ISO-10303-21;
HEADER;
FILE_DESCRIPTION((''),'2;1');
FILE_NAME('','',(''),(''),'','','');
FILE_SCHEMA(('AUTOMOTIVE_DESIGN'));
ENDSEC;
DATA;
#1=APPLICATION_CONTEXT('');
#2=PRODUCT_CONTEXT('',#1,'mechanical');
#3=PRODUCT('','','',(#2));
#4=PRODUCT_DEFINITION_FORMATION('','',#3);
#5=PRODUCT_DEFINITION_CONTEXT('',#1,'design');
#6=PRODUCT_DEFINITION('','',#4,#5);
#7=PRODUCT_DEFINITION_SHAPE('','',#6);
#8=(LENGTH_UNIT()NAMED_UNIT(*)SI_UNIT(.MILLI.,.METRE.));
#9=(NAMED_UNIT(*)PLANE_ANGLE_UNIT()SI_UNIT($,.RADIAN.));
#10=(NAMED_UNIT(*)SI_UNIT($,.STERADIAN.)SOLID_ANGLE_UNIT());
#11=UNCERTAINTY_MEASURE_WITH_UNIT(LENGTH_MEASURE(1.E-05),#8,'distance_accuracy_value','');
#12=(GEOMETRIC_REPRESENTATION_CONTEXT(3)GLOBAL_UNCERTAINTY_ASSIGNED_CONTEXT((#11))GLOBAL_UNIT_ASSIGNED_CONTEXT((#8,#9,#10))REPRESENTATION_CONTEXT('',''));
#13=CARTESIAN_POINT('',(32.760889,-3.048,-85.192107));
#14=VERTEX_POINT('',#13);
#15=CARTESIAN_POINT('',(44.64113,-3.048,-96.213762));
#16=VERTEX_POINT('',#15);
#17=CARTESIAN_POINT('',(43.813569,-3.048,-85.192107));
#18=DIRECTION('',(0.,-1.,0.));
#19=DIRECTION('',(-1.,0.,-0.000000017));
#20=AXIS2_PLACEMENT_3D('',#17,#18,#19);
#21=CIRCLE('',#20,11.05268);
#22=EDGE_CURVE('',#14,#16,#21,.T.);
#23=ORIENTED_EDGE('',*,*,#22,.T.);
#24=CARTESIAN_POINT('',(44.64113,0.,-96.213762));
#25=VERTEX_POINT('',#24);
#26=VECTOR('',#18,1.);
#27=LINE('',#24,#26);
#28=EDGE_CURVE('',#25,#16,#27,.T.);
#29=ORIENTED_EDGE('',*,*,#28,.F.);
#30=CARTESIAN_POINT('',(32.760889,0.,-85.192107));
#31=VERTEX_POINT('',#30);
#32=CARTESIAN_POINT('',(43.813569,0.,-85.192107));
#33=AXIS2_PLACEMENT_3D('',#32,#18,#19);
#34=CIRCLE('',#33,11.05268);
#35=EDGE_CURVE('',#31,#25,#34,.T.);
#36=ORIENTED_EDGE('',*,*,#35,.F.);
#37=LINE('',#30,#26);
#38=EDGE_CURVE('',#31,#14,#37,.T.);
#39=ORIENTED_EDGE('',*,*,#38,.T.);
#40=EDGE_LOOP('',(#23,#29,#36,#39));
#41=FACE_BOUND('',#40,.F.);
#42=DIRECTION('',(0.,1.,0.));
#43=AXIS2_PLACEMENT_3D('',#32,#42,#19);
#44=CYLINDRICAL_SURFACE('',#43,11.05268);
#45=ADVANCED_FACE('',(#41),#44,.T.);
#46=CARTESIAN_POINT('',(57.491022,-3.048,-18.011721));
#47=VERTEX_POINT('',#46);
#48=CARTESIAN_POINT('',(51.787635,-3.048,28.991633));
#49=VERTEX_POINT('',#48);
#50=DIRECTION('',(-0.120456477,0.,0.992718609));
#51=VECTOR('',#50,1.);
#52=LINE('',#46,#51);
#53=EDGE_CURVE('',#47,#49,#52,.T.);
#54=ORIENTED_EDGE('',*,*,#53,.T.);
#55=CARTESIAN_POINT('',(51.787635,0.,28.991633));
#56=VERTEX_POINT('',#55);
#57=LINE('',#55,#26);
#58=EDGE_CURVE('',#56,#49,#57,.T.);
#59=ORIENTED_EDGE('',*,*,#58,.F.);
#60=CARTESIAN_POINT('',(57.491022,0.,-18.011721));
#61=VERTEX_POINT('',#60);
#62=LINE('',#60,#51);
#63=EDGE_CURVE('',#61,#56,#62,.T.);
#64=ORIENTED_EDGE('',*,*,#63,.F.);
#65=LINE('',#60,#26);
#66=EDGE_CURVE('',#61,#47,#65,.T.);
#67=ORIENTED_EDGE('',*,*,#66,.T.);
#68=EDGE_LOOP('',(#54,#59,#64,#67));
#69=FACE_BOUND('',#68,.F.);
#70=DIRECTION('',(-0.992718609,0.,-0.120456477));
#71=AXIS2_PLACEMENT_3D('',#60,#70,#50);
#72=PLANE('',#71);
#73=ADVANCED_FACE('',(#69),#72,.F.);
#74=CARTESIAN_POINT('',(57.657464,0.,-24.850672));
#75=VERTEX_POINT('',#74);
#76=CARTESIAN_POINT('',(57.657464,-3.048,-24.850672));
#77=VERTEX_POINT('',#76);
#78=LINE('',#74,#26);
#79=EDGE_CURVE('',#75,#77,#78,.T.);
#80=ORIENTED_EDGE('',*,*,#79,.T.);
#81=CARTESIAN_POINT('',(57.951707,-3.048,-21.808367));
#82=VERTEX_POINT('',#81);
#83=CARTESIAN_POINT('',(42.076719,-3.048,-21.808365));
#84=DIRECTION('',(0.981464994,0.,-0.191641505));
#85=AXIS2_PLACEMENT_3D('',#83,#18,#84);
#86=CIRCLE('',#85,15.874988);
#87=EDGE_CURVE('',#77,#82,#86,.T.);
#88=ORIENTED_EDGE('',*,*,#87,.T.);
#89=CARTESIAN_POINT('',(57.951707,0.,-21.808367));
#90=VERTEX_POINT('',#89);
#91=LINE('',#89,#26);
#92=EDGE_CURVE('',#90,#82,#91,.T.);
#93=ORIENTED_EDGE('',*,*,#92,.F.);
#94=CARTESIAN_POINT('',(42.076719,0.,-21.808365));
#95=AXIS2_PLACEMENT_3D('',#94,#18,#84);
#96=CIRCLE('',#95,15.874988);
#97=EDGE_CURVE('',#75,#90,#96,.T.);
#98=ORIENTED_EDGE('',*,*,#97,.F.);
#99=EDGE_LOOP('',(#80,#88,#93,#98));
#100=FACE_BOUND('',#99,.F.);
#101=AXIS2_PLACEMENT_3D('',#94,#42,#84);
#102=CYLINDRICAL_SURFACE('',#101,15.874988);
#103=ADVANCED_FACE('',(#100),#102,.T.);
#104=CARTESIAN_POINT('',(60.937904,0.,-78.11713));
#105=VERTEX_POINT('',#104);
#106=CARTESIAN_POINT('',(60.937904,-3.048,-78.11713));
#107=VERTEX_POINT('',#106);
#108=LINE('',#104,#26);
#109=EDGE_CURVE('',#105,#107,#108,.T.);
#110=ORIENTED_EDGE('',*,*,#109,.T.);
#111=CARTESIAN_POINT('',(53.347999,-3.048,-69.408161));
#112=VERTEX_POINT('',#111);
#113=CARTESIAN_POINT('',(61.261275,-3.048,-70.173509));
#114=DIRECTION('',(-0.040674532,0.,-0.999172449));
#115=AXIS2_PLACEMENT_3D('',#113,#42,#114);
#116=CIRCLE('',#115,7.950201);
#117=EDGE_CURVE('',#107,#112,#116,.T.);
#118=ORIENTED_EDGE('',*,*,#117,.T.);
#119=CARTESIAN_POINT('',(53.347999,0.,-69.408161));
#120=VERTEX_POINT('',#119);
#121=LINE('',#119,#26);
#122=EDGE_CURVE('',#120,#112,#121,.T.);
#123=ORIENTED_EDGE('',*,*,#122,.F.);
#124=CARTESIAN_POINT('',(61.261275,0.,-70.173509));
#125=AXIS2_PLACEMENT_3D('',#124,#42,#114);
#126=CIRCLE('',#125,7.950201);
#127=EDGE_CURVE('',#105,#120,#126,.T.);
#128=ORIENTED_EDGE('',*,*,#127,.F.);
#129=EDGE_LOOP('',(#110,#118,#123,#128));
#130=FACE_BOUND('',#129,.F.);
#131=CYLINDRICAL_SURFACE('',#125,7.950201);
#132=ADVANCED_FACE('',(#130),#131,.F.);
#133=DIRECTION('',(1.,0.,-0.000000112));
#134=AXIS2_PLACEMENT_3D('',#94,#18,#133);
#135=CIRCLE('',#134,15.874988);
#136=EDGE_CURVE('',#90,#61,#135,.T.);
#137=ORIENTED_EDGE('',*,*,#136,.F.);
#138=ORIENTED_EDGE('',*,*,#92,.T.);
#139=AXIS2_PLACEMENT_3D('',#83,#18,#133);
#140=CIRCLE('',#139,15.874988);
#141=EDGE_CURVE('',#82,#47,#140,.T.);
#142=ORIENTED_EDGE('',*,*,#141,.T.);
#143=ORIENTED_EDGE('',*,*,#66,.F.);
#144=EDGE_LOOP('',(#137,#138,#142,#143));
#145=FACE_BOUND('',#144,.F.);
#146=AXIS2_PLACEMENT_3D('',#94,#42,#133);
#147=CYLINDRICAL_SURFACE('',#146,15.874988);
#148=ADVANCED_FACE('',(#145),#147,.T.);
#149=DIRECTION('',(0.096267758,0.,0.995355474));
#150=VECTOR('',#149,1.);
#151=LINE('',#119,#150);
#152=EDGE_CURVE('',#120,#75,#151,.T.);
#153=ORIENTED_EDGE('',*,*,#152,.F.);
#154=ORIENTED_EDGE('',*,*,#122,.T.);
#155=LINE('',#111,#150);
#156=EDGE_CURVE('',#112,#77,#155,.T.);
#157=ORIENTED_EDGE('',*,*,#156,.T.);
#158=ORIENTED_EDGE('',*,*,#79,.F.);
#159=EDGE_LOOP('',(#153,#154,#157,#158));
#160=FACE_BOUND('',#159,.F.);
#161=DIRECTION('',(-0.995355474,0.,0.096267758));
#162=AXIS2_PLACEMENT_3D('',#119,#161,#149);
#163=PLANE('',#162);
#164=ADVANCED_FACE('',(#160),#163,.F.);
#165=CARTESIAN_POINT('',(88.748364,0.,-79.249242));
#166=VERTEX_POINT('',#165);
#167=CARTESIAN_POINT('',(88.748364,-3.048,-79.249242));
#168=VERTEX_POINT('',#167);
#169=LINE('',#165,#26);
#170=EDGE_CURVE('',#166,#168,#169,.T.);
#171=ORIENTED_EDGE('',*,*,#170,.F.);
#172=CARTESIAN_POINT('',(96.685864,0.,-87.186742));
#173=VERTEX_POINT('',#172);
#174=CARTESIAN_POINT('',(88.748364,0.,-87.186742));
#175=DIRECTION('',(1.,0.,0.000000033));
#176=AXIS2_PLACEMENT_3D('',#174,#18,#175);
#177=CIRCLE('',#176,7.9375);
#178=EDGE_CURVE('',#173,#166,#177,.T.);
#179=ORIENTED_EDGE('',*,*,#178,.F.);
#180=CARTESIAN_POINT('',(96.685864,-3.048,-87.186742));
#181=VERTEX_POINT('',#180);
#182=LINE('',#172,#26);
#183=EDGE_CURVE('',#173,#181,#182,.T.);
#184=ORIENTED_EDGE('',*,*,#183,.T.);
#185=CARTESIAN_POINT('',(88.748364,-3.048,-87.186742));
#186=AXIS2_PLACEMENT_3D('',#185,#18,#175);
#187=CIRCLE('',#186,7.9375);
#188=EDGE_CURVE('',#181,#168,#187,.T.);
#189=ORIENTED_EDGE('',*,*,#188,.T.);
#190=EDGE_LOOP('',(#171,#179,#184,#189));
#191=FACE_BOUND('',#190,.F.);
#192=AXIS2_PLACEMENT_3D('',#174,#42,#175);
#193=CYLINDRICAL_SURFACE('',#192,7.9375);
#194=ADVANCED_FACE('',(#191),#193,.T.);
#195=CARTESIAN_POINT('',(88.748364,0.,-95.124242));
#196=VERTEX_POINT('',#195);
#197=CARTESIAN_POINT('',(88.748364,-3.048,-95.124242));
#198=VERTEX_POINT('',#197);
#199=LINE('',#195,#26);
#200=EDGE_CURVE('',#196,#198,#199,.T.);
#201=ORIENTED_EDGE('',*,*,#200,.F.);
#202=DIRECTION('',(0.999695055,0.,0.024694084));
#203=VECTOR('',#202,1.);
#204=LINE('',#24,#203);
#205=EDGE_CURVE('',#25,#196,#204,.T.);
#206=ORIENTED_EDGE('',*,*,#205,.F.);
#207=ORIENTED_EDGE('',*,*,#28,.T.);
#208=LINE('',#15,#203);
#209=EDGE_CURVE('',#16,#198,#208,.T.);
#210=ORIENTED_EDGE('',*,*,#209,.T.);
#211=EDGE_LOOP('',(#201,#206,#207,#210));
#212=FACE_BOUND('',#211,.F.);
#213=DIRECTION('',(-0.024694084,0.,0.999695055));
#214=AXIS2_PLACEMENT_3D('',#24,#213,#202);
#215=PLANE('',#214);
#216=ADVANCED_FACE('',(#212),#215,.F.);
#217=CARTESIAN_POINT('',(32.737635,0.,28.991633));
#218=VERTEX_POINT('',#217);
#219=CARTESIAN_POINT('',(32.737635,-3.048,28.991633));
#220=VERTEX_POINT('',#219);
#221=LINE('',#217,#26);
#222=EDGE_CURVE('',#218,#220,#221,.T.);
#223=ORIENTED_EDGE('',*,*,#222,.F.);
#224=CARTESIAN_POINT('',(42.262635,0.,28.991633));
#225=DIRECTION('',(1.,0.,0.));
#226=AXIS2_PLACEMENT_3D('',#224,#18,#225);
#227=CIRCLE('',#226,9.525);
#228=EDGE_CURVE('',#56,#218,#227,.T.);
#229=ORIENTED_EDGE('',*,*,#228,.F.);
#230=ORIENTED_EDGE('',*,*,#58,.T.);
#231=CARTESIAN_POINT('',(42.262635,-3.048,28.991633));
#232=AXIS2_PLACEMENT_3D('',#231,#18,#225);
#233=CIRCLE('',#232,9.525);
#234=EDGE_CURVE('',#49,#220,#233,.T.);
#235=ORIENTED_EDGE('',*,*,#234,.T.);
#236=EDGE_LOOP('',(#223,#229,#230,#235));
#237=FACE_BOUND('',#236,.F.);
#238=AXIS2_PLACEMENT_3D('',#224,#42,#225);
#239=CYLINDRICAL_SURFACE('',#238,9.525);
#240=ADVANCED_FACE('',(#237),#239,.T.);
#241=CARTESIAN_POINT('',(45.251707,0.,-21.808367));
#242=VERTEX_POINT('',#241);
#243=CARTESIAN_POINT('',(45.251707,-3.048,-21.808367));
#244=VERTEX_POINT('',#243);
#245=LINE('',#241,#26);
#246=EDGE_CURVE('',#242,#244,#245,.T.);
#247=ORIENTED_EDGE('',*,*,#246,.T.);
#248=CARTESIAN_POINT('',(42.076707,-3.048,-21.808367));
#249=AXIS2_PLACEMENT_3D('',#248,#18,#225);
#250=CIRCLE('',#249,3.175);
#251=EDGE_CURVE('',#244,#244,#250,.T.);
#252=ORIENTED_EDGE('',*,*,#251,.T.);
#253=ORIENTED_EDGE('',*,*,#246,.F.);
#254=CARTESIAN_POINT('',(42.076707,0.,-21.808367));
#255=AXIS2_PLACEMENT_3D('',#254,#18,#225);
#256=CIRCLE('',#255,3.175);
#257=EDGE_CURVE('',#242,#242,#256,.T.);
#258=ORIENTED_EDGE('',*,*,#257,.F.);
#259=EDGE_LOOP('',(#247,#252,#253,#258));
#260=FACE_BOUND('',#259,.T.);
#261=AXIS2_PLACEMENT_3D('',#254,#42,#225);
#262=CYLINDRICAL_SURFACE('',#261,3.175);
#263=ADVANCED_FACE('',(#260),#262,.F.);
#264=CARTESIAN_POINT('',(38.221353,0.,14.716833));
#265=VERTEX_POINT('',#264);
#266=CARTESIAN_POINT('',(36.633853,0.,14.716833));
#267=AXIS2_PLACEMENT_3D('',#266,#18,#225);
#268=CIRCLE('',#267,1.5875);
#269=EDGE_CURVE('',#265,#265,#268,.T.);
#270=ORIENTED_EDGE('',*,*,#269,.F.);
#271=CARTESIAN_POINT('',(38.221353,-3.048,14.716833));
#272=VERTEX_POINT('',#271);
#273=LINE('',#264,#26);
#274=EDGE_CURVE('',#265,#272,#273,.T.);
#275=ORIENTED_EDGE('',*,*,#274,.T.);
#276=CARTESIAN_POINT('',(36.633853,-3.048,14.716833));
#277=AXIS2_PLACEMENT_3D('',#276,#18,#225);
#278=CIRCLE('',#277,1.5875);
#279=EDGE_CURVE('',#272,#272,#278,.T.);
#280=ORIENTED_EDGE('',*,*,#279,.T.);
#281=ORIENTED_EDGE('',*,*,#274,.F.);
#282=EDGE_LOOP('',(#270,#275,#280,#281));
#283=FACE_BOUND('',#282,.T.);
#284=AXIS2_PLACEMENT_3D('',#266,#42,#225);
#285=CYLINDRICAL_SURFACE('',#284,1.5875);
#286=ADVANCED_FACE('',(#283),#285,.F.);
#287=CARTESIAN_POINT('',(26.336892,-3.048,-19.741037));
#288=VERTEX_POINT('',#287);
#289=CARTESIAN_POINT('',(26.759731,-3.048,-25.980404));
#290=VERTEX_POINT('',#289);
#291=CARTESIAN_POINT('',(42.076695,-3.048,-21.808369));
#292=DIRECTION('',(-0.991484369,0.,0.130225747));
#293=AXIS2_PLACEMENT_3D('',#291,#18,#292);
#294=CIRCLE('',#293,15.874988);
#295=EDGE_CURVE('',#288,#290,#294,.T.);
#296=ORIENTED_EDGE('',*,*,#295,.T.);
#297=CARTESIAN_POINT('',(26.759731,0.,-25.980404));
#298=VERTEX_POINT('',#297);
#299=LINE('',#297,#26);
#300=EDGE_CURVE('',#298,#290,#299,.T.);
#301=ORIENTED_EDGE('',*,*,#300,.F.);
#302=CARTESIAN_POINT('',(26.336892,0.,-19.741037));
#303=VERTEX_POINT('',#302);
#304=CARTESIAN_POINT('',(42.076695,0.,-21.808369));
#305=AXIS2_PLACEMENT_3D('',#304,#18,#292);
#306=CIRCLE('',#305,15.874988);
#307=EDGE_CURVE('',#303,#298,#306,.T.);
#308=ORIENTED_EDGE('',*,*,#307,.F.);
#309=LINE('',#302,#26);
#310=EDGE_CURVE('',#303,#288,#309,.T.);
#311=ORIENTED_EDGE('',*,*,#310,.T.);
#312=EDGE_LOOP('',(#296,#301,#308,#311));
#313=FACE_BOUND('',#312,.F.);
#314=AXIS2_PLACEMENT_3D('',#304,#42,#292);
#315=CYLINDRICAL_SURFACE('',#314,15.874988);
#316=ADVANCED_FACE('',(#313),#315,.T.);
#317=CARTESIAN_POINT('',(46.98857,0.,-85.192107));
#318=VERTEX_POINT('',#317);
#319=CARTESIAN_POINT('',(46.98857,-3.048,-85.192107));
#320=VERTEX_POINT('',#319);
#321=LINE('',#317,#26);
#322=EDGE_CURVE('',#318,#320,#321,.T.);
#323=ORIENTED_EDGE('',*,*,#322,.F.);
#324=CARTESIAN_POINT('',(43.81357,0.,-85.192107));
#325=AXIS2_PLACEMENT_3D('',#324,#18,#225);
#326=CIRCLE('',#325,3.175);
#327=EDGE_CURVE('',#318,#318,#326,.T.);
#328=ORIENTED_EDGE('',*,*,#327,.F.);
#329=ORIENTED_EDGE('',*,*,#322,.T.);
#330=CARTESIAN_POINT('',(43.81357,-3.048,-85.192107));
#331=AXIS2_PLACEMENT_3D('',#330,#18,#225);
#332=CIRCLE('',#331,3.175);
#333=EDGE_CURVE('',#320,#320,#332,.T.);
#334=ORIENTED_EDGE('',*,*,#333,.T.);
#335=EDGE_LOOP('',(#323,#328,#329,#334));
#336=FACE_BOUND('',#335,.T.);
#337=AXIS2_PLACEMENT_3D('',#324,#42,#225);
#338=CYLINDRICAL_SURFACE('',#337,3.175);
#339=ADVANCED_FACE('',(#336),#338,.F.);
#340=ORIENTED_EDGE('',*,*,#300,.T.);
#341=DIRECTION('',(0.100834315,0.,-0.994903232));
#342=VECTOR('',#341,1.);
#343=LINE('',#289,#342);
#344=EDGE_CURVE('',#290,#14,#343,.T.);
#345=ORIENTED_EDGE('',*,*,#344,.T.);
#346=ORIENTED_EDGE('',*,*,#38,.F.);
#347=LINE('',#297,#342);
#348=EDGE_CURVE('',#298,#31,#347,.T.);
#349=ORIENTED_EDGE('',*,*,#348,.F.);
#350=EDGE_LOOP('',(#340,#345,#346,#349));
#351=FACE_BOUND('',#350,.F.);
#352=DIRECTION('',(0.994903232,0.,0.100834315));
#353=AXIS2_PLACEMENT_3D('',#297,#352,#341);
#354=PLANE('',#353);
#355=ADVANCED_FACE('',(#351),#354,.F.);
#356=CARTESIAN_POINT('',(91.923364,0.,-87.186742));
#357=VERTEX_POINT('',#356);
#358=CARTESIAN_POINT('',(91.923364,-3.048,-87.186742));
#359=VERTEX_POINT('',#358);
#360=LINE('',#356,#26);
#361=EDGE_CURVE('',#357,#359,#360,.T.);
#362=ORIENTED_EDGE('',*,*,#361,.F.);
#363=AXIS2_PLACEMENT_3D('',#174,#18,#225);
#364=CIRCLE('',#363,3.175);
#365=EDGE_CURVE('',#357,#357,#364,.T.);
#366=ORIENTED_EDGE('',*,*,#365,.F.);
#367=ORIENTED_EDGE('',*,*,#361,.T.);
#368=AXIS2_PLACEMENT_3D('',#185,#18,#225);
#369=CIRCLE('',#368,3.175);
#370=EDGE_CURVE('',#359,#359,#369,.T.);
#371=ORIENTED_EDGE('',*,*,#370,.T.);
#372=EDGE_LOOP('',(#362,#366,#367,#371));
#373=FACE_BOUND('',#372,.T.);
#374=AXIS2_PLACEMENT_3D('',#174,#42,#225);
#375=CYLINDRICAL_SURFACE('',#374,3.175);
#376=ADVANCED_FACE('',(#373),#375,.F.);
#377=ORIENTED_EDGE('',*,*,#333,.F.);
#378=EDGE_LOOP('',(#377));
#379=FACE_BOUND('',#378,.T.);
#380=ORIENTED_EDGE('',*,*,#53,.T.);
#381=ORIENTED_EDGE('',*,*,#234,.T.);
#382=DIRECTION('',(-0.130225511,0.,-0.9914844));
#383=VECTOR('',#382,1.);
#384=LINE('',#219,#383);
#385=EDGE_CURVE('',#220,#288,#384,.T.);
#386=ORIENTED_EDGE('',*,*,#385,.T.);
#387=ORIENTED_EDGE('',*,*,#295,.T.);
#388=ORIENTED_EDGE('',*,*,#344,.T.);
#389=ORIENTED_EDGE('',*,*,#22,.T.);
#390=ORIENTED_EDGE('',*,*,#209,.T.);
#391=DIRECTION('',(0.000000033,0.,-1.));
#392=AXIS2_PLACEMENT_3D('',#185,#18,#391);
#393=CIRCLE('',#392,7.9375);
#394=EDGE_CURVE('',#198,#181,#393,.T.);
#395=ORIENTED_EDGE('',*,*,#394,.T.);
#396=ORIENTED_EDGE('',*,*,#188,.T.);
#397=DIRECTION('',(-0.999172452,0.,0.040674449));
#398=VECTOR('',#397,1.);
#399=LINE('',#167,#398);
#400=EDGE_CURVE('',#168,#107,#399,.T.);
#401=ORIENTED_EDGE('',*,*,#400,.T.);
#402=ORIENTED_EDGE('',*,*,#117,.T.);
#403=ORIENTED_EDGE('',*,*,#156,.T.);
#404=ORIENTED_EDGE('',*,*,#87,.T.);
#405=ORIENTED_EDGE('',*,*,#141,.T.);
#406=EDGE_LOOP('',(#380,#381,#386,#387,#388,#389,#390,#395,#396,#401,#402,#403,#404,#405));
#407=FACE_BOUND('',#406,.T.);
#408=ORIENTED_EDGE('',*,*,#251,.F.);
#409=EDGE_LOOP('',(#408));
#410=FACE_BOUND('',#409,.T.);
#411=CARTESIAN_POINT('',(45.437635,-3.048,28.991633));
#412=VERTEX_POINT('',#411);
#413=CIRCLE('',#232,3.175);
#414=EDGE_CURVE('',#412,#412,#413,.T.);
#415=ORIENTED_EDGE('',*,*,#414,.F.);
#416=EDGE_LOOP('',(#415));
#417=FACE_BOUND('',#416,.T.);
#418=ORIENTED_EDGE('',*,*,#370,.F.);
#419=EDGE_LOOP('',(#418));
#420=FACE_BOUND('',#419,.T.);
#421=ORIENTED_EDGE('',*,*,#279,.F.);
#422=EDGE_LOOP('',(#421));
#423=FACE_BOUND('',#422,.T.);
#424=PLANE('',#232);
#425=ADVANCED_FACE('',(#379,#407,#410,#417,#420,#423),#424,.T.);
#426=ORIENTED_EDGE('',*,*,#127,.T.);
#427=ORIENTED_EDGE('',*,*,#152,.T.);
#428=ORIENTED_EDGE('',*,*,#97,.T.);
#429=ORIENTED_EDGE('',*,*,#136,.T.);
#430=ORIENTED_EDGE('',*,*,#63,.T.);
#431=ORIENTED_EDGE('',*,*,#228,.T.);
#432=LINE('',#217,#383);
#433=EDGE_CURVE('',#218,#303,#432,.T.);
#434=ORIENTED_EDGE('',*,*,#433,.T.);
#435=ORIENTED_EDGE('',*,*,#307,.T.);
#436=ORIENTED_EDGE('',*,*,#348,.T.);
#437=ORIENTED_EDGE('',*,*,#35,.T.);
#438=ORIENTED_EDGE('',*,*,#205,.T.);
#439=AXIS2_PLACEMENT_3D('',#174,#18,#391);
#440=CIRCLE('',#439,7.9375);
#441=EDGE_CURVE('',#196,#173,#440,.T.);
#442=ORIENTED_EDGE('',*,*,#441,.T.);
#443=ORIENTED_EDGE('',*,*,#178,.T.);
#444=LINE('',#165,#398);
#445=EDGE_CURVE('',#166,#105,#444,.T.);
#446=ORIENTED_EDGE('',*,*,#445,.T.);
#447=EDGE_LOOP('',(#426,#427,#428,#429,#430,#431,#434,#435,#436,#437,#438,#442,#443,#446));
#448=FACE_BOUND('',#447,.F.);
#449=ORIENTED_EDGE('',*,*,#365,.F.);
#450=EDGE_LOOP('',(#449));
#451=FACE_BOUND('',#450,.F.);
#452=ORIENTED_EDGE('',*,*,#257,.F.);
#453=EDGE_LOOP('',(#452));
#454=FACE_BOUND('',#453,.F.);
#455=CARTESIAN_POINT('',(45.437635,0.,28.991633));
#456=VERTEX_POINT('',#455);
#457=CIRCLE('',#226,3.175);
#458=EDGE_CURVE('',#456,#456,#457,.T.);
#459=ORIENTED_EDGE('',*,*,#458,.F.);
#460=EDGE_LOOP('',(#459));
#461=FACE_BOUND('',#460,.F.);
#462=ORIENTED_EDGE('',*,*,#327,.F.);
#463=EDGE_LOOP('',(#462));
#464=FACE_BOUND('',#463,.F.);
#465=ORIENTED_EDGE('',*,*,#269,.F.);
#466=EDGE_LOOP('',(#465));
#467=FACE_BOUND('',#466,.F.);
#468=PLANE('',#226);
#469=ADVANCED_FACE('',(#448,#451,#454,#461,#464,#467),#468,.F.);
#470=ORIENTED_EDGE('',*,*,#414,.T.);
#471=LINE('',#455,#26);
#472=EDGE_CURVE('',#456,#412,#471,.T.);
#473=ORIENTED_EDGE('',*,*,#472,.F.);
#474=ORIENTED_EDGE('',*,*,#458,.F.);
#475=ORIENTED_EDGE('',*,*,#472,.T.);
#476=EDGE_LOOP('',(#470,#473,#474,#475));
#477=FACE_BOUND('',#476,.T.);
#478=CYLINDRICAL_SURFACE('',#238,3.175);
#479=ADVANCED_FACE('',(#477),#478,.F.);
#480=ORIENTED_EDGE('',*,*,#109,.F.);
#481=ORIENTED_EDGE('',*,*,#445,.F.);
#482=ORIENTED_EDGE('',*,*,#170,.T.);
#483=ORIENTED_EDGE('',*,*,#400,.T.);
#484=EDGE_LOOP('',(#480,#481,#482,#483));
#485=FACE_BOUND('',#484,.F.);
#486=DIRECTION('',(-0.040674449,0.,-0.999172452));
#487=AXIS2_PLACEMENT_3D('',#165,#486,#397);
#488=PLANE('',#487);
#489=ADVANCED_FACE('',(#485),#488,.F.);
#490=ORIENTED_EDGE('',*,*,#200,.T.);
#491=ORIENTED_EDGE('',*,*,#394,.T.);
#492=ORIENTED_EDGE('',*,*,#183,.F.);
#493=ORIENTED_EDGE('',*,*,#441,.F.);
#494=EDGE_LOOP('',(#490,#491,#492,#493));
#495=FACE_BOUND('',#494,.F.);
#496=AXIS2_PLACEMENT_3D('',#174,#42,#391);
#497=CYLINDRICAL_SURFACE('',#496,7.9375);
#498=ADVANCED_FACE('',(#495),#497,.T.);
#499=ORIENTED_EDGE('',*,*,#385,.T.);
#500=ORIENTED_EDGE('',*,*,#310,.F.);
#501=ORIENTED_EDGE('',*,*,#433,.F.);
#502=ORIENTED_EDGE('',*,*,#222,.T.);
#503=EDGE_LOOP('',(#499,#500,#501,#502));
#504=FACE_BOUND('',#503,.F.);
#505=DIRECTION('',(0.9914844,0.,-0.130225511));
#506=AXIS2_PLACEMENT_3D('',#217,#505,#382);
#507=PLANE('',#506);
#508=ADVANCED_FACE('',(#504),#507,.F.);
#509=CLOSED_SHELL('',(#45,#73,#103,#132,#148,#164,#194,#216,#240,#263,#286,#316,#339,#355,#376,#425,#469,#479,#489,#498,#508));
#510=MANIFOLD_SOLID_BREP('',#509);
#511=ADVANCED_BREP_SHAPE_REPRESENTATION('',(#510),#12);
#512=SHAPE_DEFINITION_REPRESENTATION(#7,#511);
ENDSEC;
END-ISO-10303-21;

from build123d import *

# Parameters (mm, degrees)
F0_R     = 3.175
F0_R_2   = 1.5875
F1_DEPTH = 3.048


with BuildPart() as f1:
    # F0 (on Front) → F1 (new body)
    with BuildSketch(Plane.XZ):
        with BuildLine():
            ThreePointArc((32.737635, 28.991633), (42.262635, 19.466633), (51.787635, 28.991633))
            ThreePointArc((51.787635, 28.991633), (42.262635, 38.516633), (32.737635, 28.991633))
        make_face()
        with Locations((42.262635, 28.991633)):
            Circle(F0_R, mode=Mode.SUBTRACT)
        with BuildLine():
            Line((57.491022, -18.011721), (51.787635, 28.991633))
            ThreePointArc((51.787635, 28.991633), (42.262635, 19.466633), (32.737635, 28.991633))
            Line((32.737635, 28.991633), (26.336892, -19.741037))
            ThreePointArc((26.336892, -19.741037), (41.196865, -5.957767), (57.491022, -18.011721))
        make_face()
        with Locations((36.633853, 14.716833)):
            Circle(F0_R_2, mode=Mode.SUBTRACT)
        with BuildLine():
            Line((57.951707, -21.808367), (57.491022, -18.011721))
            ThreePointArc((57.491022, -18.011721), (41.196865, -5.957767), (26.336892, -19.741037))
            ThreePointArc((26.336892, -19.741037), (26.238036, -22.881748), (26.759731, -25.980404))
            ThreePointArc((26.759731, -25.980404), (42.656766, -37.672766), (57.657464, -24.850672))
            Line((57.657464, -24.850672), (57.951707, -21.808367))
        make_face()
        with Locations((42.076707, -21.808367)):
            Circle(F0_R, mode=Mode.SUBTRACT)
        with BuildLine():
            ThreePointArc((57.951707, -21.808367), (57.836115, -19.89612), (57.491022, -18.011721))
            Line((57.491022, -18.011721), (57.951707, -21.808367))
        make_face()
        with BuildLine():
            ThreePointArc((57.657464, -24.850672), (57.877975, -23.336617), (57.951707, -21.808367))
            Line((57.951707, -21.808367), (57.657464, -24.850672))
        make_face()
        with BuildLine():
            ThreePointArc((57.657464, -24.850672), (42.656766, -37.672766), (26.759731, -25.980404))
            Line((26.759731, -25.980404), (32.760889, -85.192107))
            ThreePointArc((32.760889, -85.192107), (43.81357, -74.139426), (54.866251, -85.192107))
            ThreePointArc((54.866251, -85.192107), (51.916301, -92.709253), (44.64113, -96.213762))
            Line((44.64113, -96.213762), (88.748364, -95.124242))
            ThreePointArc((88.748364, -95.124242), (80.810864, -87.186742), (88.748364, -79.249242))
            Line((88.748364, -79.249242), (60.937904, -78.11713))
            ThreePointArc((60.937904, -78.11713), (55.267768, -75.396876), (53.347999, -69.408161))
            Line((53.347999, -69.408161), (57.657464, -24.850672))
        make_face()
        with BuildLine():
            ThreePointArc((54.866251, -85.192107), (43.81357, -74.139426), (32.760889, -85.192107))
            ThreePointArc((32.760889, -85.192107), (36.296423, -93.294838), (44.64113, -96.213762))
            ThreePointArc((44.64113, -96.213762), (51.916301, -92.709253), (54.866251, -85.192107))
        make_face()
        with Locations((43.81357, -85.192107)):
            Circle(F0_R, mode=Mode.SUBTRACT)
        with BuildLine():
            ThreePointArc((88.748364, -79.249242), (80.810864, -87.186742), (88.748364, -95.124242))
            ThreePointArc((88.748364, -95.124242), (94.361024, -92.799402), (96.685864, -87.186742))
            ThreePointArc((96.685864, -87.186742), (94.361024, -81.574082), (88.748364, -79.249242))
        make_face()
        with Locations((88.748364, -87.186742)):
            Circle(F0_R, mode=Mode.SUBTRACT)
    extrude(amount=F1_DEPTH)


solid = f1.part
